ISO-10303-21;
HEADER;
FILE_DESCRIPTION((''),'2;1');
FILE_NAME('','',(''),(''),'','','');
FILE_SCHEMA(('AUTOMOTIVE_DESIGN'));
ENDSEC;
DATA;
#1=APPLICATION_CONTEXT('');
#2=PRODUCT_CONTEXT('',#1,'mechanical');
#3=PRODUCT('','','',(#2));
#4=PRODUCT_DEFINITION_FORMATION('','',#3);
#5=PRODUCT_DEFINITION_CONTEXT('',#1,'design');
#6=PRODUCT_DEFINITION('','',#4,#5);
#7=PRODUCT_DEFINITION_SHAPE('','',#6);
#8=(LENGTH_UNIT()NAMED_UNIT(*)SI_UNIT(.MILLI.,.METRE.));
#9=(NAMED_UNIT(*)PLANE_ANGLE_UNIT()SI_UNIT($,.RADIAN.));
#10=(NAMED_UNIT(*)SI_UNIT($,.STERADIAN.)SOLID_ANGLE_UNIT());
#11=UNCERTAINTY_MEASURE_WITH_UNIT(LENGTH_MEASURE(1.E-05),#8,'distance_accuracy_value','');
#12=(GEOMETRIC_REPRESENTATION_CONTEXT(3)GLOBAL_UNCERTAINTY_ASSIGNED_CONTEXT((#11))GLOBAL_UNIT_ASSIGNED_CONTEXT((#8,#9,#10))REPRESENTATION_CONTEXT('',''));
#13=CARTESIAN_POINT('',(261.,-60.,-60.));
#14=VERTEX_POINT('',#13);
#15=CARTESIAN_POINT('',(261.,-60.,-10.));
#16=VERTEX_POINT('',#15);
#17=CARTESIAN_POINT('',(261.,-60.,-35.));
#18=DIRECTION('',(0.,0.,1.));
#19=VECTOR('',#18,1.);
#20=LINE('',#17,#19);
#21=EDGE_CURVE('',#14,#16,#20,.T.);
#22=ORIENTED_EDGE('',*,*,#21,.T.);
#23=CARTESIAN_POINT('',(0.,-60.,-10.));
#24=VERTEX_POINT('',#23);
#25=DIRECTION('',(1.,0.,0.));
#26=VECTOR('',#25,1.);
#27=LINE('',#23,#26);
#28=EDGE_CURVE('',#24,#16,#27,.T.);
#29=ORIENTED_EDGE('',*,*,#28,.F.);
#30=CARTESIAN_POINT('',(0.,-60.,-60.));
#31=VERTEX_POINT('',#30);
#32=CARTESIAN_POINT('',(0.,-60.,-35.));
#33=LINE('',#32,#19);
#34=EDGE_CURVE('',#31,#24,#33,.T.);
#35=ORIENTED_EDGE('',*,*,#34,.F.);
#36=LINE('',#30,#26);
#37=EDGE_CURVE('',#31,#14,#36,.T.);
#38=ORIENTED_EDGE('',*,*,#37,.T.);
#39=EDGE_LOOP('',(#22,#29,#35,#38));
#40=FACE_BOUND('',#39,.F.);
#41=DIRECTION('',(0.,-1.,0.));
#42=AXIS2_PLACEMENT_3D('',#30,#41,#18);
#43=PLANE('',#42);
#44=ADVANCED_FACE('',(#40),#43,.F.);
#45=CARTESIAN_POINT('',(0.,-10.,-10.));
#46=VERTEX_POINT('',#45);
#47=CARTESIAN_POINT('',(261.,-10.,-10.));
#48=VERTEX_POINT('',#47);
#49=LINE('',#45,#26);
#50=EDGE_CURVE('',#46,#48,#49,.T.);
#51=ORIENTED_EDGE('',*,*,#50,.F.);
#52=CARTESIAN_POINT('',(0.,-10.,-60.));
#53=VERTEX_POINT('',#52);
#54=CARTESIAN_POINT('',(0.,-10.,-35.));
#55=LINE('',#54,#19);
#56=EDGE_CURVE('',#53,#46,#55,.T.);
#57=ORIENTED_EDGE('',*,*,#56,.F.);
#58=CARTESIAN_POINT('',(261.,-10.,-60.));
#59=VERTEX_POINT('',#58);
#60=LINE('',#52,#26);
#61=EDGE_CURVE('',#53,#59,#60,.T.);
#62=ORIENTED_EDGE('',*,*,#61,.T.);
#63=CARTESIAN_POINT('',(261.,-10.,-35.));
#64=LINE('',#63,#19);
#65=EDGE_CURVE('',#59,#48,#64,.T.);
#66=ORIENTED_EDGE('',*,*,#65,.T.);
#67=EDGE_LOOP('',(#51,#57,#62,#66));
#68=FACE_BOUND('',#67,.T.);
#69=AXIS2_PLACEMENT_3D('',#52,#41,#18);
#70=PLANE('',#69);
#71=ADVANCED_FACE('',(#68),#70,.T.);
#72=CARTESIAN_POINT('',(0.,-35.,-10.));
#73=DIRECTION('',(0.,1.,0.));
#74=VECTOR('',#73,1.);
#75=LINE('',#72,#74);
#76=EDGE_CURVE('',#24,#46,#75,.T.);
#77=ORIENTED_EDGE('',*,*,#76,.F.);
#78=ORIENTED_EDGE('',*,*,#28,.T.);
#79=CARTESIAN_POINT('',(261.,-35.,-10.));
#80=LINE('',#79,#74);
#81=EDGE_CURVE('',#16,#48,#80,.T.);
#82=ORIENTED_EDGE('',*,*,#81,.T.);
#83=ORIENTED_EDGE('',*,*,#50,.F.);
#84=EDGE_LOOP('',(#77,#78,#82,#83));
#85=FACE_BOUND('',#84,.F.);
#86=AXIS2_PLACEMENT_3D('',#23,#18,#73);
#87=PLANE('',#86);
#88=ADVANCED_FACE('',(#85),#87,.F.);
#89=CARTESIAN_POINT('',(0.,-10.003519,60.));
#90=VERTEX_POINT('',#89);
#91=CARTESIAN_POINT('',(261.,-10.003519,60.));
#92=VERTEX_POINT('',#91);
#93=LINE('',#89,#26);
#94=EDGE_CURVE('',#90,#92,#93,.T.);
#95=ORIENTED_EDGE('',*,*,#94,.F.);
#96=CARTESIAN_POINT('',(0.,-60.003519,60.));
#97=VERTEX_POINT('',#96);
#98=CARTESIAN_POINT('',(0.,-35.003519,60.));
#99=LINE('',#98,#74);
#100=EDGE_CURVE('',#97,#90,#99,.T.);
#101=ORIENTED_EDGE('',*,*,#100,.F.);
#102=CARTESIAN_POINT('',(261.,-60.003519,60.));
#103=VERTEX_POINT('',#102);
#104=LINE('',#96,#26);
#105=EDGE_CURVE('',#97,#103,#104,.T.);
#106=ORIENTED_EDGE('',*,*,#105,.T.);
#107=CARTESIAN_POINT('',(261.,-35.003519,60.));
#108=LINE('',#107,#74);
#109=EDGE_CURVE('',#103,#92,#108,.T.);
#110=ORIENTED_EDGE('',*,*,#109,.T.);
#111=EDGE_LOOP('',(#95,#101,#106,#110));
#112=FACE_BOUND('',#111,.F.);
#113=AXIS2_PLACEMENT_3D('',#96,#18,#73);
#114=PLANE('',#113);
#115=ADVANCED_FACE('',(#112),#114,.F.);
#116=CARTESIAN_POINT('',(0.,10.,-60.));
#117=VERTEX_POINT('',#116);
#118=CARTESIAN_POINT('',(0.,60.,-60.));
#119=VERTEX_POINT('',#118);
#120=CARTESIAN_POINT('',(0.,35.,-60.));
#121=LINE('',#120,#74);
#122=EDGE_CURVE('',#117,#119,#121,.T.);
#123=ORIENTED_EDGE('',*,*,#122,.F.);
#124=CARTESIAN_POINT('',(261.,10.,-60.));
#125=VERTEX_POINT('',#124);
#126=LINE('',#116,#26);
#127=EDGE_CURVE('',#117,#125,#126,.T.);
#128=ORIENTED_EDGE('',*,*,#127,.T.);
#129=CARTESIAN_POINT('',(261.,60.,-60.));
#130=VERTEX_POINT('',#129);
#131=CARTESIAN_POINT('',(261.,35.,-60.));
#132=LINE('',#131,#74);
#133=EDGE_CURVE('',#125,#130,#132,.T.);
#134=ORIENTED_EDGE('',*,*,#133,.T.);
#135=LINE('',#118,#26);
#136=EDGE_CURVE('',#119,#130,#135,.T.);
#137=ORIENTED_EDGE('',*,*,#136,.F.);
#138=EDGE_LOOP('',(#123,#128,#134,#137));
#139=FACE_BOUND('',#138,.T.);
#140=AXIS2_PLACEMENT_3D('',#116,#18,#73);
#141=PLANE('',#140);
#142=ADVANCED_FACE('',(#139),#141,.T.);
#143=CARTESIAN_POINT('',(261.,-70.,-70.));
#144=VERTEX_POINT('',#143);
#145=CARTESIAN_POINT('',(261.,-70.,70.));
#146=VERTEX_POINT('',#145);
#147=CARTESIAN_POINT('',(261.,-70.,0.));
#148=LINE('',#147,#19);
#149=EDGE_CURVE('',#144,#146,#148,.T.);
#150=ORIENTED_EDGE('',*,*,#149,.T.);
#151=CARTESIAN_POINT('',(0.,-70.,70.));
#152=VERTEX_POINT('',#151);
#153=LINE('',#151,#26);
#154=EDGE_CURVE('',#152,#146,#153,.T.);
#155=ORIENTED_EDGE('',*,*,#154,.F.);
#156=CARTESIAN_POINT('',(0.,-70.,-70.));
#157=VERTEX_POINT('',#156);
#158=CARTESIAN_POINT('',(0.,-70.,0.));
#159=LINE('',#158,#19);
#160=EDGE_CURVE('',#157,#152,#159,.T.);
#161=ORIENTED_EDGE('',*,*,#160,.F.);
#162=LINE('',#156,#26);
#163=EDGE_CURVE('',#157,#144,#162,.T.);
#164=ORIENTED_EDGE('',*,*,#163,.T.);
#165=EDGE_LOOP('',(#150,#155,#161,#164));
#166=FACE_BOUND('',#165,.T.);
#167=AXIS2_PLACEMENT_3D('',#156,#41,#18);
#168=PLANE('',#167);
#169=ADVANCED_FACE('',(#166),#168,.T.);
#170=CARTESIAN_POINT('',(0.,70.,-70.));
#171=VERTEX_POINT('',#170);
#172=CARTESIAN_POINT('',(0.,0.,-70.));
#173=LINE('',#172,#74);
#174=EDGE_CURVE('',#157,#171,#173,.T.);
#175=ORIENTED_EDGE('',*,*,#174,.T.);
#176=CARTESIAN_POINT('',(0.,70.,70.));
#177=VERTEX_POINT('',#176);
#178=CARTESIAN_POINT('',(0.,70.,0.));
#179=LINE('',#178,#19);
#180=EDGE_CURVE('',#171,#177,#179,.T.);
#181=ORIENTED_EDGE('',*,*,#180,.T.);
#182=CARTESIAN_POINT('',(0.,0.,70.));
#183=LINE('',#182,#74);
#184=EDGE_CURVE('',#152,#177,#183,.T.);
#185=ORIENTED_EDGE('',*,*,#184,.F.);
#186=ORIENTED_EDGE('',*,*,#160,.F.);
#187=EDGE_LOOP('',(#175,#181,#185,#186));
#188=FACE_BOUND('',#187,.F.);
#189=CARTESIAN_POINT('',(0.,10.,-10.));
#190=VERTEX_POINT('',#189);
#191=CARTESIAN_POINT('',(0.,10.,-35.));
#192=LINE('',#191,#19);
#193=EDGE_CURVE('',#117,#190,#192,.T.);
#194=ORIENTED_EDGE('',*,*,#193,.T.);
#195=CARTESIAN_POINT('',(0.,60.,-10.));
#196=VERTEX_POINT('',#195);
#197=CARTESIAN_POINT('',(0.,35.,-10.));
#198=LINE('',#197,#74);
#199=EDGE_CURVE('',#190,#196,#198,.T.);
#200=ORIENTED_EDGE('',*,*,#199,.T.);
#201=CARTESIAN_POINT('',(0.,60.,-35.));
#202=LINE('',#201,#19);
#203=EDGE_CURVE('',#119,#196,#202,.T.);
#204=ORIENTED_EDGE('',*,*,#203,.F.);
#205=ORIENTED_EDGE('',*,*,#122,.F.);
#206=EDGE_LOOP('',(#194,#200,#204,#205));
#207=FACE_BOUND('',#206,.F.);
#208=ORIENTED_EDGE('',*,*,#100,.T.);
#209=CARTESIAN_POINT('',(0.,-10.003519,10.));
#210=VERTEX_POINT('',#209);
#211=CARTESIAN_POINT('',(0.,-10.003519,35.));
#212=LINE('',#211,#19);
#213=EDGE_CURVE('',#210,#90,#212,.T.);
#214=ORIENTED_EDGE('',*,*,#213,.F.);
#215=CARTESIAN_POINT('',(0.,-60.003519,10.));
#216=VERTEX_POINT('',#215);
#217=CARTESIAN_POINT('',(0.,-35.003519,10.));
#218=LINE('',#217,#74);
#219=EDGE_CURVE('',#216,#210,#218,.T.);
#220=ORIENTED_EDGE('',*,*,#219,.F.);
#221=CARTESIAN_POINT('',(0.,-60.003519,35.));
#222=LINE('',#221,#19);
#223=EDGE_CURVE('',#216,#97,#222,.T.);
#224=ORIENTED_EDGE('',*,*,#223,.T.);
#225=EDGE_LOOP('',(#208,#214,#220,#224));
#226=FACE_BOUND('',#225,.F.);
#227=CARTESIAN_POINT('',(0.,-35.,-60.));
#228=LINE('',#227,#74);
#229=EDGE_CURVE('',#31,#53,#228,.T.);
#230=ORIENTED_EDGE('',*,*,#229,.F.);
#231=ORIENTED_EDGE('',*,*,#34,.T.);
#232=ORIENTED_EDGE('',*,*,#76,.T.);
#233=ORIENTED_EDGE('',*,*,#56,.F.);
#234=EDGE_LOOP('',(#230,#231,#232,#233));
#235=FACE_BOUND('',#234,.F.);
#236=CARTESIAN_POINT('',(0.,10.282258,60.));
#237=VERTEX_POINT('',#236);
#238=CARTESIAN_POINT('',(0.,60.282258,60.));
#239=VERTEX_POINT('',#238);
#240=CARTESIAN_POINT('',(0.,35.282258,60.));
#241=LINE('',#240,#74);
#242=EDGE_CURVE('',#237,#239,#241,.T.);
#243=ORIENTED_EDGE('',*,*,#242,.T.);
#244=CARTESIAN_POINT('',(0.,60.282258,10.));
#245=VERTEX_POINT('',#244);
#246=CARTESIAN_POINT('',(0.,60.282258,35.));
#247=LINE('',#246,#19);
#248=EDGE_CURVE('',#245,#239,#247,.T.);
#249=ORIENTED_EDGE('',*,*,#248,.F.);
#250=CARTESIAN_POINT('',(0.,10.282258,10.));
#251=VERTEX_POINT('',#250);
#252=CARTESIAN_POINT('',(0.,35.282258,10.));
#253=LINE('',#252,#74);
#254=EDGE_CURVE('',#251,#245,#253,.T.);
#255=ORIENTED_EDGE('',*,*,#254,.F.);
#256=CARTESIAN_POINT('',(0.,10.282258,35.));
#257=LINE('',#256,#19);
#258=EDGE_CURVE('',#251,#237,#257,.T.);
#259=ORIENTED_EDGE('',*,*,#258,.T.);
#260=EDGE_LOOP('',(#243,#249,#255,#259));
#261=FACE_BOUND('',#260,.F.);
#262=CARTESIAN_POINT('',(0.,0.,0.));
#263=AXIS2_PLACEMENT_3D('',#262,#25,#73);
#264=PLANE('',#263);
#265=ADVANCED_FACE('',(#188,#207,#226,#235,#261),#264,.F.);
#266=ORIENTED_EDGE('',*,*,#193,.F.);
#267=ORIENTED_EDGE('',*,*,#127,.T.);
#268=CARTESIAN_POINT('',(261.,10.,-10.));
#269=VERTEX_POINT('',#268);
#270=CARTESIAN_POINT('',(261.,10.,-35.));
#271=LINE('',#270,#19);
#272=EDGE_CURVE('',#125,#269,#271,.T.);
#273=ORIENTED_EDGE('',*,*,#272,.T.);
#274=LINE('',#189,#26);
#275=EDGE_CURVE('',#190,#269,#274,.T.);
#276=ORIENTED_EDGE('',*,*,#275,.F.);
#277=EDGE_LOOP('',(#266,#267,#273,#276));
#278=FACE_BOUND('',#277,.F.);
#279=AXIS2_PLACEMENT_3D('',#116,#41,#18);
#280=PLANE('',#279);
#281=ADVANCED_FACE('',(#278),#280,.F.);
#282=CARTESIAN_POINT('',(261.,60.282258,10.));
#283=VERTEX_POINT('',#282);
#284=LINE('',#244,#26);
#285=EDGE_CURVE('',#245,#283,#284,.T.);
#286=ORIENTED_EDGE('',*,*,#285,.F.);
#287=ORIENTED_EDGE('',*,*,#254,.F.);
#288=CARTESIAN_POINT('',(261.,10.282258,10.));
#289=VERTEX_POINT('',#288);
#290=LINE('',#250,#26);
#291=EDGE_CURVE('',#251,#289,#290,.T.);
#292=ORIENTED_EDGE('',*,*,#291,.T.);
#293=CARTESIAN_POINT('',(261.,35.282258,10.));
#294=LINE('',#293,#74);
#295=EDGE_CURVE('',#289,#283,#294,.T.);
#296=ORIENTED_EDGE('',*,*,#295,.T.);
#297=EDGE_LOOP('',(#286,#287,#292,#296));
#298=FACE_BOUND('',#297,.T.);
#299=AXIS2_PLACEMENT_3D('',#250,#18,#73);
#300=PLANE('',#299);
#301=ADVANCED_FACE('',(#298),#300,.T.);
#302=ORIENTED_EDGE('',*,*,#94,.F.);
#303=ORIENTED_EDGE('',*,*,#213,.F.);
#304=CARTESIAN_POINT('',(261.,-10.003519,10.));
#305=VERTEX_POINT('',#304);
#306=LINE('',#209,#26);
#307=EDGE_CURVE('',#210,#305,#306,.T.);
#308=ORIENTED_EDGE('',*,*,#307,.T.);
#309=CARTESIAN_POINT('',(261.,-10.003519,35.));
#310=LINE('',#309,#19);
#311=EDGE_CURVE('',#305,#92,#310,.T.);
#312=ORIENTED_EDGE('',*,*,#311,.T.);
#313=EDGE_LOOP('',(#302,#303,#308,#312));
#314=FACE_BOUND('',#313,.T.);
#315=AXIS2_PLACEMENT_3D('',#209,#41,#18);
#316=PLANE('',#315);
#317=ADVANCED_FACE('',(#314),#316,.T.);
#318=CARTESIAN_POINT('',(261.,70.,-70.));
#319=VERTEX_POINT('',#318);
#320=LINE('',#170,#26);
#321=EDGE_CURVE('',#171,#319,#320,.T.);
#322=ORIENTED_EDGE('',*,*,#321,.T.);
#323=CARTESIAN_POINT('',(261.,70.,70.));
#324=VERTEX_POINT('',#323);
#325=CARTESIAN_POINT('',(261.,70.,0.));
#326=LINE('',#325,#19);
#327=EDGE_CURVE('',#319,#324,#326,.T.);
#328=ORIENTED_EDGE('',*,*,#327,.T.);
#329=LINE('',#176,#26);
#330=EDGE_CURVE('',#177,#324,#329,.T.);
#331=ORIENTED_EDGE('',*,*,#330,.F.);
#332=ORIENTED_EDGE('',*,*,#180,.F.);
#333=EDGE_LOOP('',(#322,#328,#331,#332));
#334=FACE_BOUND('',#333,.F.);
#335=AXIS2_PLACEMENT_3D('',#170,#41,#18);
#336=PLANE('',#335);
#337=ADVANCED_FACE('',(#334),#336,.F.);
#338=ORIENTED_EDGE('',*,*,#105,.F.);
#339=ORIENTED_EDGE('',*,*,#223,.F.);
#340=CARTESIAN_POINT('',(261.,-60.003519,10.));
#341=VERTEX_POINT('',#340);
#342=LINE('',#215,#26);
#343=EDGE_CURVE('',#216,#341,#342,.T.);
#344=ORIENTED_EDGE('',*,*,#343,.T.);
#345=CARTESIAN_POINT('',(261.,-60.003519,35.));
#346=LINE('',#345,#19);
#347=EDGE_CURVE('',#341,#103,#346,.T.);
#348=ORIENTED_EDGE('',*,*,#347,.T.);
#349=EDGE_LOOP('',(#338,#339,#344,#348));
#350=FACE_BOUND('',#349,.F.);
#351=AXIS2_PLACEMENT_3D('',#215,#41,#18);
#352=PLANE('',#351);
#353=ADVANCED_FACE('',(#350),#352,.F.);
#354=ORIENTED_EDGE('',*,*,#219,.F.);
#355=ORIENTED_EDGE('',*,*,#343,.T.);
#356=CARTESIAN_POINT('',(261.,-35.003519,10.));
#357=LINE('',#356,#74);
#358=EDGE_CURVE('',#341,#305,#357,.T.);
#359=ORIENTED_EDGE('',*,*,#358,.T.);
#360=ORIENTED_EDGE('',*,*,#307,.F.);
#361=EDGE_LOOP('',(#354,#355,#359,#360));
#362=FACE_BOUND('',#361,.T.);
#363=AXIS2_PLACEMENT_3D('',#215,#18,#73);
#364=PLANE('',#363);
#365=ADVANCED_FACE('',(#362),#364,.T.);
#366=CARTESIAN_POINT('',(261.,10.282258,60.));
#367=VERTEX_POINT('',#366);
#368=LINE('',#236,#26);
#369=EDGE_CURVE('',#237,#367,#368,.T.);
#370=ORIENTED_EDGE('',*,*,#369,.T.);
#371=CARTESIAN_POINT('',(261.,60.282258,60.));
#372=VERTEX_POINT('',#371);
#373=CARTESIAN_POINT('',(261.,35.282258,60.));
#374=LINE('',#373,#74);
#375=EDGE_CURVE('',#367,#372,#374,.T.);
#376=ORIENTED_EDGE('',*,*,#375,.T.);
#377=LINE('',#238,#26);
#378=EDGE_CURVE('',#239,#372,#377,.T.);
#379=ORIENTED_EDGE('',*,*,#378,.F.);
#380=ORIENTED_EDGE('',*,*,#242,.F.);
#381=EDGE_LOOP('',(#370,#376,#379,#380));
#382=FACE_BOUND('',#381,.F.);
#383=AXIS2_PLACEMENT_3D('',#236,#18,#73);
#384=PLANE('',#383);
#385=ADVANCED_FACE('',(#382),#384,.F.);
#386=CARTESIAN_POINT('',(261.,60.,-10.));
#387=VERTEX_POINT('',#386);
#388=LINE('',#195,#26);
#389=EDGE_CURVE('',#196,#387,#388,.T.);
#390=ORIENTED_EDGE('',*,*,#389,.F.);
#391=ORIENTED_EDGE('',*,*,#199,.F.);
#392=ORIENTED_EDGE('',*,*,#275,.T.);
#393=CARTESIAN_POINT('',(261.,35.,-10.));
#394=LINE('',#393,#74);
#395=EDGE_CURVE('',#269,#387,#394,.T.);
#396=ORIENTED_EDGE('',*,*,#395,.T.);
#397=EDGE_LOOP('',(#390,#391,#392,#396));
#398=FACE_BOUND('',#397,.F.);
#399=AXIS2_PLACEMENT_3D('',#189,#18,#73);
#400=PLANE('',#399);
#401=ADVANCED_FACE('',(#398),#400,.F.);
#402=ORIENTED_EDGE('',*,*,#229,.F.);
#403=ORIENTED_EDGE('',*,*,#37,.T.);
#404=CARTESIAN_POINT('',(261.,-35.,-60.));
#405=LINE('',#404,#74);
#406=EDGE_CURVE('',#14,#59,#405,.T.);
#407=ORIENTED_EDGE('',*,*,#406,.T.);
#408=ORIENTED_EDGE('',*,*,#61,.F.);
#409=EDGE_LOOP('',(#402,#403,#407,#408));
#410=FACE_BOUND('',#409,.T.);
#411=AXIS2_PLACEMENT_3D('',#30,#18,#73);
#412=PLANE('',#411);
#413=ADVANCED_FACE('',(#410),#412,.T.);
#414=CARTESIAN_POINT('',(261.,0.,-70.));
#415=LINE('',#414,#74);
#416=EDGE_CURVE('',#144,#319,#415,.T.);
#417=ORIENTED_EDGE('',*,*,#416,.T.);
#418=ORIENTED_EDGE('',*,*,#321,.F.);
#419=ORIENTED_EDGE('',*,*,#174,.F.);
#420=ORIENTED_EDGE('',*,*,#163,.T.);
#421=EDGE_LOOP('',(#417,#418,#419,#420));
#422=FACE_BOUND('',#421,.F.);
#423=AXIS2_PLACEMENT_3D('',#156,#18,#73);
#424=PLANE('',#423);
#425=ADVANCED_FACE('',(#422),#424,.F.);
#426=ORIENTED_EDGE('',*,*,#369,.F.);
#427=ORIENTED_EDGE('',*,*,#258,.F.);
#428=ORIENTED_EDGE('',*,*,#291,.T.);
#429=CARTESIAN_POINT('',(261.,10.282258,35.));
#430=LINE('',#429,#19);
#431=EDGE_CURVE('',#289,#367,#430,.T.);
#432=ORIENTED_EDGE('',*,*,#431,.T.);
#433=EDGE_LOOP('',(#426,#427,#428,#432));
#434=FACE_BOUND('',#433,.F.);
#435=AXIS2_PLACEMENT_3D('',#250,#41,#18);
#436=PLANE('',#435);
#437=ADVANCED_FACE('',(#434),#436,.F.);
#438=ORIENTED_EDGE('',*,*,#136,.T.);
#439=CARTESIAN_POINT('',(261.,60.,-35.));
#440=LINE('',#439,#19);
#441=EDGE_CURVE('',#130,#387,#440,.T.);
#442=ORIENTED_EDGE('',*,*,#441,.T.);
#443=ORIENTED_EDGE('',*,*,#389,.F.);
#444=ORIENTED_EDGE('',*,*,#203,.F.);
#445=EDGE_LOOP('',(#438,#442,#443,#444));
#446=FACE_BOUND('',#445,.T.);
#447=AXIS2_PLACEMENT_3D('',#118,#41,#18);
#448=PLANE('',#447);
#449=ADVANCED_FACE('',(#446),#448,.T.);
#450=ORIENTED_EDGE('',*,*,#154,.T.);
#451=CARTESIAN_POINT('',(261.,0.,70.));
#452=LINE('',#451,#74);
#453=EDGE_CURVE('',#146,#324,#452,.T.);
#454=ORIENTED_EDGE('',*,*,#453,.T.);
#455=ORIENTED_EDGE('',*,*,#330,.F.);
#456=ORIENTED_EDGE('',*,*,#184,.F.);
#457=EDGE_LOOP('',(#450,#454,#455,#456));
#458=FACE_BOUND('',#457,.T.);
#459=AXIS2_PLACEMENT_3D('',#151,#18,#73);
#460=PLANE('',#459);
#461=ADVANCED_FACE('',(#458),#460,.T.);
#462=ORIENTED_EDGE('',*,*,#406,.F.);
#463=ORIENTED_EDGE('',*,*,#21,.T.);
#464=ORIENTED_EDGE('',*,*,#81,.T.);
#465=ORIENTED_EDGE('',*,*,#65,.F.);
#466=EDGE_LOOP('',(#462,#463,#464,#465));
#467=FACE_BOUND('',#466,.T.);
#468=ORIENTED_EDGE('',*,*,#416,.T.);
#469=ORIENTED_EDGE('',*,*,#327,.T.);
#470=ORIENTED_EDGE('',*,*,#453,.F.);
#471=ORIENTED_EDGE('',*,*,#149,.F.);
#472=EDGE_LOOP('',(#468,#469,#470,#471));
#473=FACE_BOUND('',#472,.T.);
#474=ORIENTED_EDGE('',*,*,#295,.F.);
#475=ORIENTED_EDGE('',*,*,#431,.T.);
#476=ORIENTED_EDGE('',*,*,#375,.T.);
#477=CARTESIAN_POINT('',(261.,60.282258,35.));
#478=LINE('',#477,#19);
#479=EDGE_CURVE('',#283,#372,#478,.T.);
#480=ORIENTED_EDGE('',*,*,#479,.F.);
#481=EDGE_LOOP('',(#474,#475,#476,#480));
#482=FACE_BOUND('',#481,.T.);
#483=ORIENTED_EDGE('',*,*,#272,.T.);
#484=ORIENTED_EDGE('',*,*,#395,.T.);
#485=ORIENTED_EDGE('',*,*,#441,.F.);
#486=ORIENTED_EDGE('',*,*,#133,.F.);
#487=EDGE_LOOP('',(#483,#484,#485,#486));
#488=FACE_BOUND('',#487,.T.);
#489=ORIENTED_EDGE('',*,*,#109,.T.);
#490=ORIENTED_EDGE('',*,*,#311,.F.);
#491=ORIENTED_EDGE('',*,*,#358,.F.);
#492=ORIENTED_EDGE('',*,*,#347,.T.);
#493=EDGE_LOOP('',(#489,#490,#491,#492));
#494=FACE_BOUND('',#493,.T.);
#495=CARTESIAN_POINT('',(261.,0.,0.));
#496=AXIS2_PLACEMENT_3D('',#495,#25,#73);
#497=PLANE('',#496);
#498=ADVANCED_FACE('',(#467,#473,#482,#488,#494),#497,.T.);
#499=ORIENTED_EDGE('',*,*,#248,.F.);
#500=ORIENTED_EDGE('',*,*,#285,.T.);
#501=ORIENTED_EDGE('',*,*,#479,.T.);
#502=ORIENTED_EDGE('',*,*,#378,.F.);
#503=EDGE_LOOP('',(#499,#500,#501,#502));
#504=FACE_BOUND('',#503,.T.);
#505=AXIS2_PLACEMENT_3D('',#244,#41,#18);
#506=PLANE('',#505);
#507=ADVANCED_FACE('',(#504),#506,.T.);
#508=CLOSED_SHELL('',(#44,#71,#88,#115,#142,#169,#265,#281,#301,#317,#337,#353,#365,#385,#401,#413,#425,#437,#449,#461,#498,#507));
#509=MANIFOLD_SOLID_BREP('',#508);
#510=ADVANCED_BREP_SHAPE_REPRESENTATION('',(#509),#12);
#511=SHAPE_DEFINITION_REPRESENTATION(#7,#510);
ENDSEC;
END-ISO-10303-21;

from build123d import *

# Parameters (mm, degrees)
SKETCH_W   = 140
SKETCH_H   = 140
SKETCH_W_2 = 50
SKETCH_H_2 = 50
PAD_DEPTH  = 261


with BuildPart() as part:
    # Sketch → Pad (new body)
    with BuildSketch(Plane.YZ):
        Rectangle(SKETCH_W, SKETCH_H)
        with Locations((-35.003519, 35)):
            Rectangle(SKETCH_W_2, SKETCH_H_2, mode=Mode.SUBTRACT)
        with Locations((35.282258, 35)):
            Rectangle(SKETCH_W_2, SKETCH_H_2, mode=Mode.SUBTRACT)
        with Locations((-35, -35)):
            Rectangle(SKETCH_W_2, SKETCH_H_2, mode=Mode.SUBTRACT)
        with Locations((35, -35)):
            Rectangle(SKETCH_W_2, SKETCH_H_2, mode=Mode.SUBTRACT)
    extrude(amount=PAD_DEPTH)


solid = part.part
